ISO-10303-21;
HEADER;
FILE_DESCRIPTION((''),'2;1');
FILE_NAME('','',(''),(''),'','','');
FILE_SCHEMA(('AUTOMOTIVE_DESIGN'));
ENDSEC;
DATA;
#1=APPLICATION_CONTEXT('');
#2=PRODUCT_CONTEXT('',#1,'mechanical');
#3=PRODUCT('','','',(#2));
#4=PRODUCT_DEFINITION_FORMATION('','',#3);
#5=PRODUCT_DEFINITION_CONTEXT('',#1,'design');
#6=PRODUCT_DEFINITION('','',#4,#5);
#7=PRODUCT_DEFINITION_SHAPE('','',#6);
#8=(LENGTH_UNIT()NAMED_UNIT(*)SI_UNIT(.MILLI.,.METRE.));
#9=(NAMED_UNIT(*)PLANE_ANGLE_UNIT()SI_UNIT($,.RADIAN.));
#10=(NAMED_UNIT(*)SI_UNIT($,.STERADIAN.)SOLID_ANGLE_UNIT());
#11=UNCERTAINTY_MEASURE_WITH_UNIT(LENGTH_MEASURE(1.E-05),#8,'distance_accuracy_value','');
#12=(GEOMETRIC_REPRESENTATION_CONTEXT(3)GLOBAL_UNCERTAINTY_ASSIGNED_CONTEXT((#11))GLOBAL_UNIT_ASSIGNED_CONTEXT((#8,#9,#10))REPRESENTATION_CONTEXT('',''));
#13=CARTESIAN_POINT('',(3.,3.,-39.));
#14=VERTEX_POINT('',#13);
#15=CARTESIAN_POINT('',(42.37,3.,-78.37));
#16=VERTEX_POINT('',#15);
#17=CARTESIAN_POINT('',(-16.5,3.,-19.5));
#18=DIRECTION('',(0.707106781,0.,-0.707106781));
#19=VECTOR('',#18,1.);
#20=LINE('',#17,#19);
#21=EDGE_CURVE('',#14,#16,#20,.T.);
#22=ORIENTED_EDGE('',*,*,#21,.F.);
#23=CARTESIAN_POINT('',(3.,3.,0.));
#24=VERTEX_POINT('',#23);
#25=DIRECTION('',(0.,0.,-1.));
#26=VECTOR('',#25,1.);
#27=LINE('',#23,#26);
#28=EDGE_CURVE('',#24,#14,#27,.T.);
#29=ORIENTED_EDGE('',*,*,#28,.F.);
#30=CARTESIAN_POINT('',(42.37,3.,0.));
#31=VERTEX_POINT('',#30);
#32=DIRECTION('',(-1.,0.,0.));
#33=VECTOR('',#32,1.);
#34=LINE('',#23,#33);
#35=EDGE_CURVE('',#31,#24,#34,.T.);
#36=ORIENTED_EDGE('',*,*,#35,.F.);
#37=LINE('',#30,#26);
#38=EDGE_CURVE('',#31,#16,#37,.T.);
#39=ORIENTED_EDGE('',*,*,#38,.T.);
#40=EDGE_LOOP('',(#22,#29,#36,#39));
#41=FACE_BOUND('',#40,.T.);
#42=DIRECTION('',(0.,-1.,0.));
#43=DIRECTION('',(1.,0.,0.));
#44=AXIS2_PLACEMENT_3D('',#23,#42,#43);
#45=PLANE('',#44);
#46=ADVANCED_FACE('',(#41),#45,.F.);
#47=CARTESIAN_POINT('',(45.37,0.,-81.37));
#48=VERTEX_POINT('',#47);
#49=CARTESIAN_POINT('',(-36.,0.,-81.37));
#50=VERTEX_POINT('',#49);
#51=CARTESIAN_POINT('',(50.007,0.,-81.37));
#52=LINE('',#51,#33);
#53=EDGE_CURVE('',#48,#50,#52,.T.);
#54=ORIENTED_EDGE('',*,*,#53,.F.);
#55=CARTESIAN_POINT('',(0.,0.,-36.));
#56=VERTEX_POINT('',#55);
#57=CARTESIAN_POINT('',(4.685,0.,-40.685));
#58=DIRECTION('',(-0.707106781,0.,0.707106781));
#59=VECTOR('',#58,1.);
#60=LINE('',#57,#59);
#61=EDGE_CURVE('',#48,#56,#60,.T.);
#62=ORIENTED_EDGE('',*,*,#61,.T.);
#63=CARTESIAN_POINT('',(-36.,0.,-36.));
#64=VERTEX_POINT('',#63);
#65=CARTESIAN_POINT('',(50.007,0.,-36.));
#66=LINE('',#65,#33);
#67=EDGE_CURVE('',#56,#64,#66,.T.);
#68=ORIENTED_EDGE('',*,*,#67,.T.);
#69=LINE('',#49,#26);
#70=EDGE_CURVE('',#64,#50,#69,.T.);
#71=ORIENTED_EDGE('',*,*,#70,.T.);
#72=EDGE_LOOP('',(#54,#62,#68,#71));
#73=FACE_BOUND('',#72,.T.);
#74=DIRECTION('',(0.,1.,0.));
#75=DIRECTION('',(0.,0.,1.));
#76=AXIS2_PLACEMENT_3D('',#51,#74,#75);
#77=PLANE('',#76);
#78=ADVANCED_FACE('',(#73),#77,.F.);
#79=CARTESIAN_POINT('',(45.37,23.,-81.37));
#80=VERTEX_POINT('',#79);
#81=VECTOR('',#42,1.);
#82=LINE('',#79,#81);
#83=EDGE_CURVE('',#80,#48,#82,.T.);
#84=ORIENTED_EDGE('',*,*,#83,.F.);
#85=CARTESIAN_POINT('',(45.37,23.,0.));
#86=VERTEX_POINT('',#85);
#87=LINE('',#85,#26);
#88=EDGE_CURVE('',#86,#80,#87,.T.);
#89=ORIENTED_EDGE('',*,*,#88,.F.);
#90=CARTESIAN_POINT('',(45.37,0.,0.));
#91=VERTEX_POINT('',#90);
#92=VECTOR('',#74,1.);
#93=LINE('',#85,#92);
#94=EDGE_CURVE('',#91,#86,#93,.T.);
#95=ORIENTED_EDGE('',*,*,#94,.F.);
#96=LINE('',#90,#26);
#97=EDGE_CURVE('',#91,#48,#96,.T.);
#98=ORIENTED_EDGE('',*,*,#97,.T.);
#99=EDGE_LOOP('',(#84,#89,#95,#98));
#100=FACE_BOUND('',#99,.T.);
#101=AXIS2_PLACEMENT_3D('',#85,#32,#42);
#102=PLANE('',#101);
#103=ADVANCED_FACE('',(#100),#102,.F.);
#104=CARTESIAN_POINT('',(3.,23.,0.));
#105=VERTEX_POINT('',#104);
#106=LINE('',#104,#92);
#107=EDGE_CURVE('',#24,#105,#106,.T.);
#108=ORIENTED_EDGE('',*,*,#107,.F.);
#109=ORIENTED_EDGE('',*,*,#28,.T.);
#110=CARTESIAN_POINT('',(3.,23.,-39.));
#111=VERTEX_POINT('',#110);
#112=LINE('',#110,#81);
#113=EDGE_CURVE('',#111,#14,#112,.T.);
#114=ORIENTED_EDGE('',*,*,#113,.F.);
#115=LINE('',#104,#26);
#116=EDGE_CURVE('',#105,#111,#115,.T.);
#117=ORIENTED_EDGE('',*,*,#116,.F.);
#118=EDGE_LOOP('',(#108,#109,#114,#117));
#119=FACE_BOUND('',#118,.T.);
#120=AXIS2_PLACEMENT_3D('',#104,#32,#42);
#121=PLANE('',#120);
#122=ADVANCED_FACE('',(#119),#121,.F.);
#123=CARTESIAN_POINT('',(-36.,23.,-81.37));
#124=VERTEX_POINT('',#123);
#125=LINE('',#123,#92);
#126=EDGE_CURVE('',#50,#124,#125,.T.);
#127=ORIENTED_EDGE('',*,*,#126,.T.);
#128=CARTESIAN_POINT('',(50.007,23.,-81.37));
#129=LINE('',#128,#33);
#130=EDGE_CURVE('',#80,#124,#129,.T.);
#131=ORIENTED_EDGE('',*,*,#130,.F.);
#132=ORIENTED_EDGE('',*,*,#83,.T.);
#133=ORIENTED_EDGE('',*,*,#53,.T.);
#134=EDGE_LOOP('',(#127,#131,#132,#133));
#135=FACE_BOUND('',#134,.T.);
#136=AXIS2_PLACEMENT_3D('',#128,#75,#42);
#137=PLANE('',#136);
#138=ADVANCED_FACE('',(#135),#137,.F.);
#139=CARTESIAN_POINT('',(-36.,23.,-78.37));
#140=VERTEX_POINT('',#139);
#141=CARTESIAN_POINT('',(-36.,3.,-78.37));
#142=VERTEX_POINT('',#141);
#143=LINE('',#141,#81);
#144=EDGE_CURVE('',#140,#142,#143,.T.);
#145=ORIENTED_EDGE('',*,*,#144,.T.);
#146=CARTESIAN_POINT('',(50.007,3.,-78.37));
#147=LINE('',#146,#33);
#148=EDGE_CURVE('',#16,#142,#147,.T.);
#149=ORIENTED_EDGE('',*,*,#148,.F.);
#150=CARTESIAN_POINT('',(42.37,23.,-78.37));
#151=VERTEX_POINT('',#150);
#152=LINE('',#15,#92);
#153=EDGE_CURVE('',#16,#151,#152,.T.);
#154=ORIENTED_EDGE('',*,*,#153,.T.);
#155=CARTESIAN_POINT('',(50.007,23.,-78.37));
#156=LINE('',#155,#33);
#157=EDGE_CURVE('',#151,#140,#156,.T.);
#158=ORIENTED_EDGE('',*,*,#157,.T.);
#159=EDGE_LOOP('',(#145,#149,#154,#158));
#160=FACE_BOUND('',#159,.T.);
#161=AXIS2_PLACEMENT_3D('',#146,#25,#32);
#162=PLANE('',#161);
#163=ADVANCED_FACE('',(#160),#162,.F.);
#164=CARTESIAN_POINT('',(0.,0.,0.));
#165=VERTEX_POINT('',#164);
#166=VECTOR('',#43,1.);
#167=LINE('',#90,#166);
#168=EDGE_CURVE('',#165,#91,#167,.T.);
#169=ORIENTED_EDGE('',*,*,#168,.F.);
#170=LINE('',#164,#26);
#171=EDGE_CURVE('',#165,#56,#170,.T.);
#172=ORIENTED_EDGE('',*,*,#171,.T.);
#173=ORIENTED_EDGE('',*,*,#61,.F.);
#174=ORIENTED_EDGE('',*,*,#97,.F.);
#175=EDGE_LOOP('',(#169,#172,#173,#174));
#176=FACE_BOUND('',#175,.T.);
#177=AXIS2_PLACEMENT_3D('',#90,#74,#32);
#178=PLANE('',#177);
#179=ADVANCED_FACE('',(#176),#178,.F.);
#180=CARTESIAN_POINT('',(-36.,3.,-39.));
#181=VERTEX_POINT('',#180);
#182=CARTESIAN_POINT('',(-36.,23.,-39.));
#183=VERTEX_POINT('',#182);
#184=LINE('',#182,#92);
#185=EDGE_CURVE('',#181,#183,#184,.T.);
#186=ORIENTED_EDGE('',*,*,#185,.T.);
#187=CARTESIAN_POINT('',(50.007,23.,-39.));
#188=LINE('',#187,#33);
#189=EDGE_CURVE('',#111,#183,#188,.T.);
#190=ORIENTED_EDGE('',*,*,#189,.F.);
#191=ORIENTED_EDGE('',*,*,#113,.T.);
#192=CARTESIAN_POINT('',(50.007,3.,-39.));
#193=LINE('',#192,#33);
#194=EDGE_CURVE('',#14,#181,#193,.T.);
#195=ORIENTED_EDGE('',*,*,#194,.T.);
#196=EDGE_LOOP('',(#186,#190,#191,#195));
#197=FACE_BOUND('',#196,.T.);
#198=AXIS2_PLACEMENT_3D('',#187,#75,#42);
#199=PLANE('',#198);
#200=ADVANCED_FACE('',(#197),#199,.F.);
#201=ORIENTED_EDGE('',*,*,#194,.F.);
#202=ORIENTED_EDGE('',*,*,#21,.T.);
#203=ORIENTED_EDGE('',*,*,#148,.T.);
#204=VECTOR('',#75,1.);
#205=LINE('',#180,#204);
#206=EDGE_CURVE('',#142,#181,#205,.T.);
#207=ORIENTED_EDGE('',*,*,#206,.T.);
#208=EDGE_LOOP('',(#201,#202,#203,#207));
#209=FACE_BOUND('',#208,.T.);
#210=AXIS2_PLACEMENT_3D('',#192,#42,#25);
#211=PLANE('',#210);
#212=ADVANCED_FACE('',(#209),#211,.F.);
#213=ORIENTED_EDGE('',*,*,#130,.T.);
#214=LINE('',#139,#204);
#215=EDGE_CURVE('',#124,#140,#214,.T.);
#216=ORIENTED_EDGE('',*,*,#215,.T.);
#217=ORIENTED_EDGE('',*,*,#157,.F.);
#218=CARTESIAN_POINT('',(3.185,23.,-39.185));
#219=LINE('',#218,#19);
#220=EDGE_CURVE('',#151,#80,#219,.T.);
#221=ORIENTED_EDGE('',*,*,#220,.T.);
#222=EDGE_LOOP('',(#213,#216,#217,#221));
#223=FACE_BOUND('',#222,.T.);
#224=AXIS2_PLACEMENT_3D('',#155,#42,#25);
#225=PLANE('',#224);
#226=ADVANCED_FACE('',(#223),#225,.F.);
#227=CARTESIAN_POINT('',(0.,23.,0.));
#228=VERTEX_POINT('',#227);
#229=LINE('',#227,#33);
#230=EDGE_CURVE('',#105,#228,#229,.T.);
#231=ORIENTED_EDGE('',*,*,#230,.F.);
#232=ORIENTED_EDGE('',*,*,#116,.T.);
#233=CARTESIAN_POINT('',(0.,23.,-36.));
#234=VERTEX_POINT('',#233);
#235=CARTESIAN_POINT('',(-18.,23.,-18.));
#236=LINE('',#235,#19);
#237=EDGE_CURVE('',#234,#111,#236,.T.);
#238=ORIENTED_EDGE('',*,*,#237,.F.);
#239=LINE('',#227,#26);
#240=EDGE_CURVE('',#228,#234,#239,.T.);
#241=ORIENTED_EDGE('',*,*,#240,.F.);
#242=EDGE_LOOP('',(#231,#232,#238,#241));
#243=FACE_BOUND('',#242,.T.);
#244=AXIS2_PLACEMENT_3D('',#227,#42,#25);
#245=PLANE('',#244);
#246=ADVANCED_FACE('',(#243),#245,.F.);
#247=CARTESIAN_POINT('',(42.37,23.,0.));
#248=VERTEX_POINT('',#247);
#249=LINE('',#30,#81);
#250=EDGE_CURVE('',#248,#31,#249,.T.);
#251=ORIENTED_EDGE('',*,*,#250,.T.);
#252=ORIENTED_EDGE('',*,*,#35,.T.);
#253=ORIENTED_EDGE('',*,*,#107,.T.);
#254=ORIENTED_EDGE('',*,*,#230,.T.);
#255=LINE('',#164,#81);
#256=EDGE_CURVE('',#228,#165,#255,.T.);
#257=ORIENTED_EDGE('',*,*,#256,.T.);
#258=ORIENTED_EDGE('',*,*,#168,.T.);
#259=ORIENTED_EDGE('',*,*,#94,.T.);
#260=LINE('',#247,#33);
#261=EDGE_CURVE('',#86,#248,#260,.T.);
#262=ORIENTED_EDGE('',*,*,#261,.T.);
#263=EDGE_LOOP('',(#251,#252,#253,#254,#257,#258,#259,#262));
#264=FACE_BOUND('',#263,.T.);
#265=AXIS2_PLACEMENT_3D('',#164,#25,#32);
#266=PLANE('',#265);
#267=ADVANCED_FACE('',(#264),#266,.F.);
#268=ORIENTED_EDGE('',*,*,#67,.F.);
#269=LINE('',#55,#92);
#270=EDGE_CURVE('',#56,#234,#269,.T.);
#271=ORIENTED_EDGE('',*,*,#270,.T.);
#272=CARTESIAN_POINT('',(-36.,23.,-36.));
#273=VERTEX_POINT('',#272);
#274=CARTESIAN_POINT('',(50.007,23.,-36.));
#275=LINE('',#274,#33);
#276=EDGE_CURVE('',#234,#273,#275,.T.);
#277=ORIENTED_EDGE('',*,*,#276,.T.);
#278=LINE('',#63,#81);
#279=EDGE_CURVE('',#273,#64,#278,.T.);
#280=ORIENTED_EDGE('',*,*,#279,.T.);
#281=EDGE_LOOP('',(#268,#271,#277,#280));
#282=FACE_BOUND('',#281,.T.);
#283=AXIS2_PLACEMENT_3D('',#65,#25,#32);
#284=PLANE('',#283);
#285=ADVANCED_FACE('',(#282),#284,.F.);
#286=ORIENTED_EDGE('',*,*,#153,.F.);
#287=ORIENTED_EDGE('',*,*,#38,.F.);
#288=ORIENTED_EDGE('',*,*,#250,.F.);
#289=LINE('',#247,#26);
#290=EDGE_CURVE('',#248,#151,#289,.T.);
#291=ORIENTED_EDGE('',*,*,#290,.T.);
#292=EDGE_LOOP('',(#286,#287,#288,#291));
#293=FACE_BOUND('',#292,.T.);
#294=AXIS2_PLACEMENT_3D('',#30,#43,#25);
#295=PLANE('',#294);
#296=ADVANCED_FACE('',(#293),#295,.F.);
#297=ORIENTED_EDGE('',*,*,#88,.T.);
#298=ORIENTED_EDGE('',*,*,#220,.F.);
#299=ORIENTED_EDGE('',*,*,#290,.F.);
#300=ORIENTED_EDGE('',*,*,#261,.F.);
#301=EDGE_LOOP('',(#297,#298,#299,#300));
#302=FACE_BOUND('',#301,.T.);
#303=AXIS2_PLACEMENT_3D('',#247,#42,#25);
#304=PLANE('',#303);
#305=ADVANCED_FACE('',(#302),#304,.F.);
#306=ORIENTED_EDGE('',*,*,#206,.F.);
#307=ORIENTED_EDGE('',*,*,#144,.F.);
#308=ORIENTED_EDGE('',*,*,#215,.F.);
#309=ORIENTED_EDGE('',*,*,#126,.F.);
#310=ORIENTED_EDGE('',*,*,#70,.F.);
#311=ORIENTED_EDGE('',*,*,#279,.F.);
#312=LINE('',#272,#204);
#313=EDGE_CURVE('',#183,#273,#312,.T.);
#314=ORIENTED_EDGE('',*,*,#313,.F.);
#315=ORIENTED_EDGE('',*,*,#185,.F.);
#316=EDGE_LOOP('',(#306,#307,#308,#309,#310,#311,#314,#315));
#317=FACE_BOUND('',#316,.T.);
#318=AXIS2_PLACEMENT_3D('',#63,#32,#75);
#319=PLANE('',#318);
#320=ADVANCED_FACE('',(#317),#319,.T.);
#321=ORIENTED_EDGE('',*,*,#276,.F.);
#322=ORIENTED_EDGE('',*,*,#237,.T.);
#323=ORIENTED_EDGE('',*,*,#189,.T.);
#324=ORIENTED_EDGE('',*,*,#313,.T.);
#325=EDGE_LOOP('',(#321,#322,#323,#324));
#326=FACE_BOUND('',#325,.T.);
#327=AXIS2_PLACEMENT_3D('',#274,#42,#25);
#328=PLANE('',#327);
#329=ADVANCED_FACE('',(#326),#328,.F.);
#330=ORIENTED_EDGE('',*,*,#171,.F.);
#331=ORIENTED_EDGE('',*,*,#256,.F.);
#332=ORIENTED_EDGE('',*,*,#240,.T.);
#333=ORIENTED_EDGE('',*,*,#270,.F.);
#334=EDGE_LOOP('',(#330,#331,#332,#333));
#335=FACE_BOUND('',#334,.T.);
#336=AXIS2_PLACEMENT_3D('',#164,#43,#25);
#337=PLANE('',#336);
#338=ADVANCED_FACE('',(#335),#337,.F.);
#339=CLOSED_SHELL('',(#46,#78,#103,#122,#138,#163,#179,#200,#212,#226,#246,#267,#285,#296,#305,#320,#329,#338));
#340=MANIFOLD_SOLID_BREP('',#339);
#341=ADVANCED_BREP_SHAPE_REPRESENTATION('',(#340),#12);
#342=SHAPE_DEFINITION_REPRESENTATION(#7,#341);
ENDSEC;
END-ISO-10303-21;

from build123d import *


with BuildPart() as part:
    # Sweep1: sweep along a path in Sketch1
    with BuildLine(Plane(origin=(0, 0, 0), x_dir=(1, 0, 0), z_dir=(0, 1, 0))) as sweep1_path:
        Line((0, 0), (0, 36))
        Line((0, 36), (-36, 36))
    # Sketch2 → Sweep1 (sweep)
    with BuildSketch(Plane.XY):
        Polygon((0, 0), (0, 23), (3, 23), (3, 3), (42.37, 3), (42.37, 23), (45.37, 23), (45.37, 0), align=None)
    sweep(path=sweep1_path.line, transition=Transition.RIGHT)


solid = part.part
